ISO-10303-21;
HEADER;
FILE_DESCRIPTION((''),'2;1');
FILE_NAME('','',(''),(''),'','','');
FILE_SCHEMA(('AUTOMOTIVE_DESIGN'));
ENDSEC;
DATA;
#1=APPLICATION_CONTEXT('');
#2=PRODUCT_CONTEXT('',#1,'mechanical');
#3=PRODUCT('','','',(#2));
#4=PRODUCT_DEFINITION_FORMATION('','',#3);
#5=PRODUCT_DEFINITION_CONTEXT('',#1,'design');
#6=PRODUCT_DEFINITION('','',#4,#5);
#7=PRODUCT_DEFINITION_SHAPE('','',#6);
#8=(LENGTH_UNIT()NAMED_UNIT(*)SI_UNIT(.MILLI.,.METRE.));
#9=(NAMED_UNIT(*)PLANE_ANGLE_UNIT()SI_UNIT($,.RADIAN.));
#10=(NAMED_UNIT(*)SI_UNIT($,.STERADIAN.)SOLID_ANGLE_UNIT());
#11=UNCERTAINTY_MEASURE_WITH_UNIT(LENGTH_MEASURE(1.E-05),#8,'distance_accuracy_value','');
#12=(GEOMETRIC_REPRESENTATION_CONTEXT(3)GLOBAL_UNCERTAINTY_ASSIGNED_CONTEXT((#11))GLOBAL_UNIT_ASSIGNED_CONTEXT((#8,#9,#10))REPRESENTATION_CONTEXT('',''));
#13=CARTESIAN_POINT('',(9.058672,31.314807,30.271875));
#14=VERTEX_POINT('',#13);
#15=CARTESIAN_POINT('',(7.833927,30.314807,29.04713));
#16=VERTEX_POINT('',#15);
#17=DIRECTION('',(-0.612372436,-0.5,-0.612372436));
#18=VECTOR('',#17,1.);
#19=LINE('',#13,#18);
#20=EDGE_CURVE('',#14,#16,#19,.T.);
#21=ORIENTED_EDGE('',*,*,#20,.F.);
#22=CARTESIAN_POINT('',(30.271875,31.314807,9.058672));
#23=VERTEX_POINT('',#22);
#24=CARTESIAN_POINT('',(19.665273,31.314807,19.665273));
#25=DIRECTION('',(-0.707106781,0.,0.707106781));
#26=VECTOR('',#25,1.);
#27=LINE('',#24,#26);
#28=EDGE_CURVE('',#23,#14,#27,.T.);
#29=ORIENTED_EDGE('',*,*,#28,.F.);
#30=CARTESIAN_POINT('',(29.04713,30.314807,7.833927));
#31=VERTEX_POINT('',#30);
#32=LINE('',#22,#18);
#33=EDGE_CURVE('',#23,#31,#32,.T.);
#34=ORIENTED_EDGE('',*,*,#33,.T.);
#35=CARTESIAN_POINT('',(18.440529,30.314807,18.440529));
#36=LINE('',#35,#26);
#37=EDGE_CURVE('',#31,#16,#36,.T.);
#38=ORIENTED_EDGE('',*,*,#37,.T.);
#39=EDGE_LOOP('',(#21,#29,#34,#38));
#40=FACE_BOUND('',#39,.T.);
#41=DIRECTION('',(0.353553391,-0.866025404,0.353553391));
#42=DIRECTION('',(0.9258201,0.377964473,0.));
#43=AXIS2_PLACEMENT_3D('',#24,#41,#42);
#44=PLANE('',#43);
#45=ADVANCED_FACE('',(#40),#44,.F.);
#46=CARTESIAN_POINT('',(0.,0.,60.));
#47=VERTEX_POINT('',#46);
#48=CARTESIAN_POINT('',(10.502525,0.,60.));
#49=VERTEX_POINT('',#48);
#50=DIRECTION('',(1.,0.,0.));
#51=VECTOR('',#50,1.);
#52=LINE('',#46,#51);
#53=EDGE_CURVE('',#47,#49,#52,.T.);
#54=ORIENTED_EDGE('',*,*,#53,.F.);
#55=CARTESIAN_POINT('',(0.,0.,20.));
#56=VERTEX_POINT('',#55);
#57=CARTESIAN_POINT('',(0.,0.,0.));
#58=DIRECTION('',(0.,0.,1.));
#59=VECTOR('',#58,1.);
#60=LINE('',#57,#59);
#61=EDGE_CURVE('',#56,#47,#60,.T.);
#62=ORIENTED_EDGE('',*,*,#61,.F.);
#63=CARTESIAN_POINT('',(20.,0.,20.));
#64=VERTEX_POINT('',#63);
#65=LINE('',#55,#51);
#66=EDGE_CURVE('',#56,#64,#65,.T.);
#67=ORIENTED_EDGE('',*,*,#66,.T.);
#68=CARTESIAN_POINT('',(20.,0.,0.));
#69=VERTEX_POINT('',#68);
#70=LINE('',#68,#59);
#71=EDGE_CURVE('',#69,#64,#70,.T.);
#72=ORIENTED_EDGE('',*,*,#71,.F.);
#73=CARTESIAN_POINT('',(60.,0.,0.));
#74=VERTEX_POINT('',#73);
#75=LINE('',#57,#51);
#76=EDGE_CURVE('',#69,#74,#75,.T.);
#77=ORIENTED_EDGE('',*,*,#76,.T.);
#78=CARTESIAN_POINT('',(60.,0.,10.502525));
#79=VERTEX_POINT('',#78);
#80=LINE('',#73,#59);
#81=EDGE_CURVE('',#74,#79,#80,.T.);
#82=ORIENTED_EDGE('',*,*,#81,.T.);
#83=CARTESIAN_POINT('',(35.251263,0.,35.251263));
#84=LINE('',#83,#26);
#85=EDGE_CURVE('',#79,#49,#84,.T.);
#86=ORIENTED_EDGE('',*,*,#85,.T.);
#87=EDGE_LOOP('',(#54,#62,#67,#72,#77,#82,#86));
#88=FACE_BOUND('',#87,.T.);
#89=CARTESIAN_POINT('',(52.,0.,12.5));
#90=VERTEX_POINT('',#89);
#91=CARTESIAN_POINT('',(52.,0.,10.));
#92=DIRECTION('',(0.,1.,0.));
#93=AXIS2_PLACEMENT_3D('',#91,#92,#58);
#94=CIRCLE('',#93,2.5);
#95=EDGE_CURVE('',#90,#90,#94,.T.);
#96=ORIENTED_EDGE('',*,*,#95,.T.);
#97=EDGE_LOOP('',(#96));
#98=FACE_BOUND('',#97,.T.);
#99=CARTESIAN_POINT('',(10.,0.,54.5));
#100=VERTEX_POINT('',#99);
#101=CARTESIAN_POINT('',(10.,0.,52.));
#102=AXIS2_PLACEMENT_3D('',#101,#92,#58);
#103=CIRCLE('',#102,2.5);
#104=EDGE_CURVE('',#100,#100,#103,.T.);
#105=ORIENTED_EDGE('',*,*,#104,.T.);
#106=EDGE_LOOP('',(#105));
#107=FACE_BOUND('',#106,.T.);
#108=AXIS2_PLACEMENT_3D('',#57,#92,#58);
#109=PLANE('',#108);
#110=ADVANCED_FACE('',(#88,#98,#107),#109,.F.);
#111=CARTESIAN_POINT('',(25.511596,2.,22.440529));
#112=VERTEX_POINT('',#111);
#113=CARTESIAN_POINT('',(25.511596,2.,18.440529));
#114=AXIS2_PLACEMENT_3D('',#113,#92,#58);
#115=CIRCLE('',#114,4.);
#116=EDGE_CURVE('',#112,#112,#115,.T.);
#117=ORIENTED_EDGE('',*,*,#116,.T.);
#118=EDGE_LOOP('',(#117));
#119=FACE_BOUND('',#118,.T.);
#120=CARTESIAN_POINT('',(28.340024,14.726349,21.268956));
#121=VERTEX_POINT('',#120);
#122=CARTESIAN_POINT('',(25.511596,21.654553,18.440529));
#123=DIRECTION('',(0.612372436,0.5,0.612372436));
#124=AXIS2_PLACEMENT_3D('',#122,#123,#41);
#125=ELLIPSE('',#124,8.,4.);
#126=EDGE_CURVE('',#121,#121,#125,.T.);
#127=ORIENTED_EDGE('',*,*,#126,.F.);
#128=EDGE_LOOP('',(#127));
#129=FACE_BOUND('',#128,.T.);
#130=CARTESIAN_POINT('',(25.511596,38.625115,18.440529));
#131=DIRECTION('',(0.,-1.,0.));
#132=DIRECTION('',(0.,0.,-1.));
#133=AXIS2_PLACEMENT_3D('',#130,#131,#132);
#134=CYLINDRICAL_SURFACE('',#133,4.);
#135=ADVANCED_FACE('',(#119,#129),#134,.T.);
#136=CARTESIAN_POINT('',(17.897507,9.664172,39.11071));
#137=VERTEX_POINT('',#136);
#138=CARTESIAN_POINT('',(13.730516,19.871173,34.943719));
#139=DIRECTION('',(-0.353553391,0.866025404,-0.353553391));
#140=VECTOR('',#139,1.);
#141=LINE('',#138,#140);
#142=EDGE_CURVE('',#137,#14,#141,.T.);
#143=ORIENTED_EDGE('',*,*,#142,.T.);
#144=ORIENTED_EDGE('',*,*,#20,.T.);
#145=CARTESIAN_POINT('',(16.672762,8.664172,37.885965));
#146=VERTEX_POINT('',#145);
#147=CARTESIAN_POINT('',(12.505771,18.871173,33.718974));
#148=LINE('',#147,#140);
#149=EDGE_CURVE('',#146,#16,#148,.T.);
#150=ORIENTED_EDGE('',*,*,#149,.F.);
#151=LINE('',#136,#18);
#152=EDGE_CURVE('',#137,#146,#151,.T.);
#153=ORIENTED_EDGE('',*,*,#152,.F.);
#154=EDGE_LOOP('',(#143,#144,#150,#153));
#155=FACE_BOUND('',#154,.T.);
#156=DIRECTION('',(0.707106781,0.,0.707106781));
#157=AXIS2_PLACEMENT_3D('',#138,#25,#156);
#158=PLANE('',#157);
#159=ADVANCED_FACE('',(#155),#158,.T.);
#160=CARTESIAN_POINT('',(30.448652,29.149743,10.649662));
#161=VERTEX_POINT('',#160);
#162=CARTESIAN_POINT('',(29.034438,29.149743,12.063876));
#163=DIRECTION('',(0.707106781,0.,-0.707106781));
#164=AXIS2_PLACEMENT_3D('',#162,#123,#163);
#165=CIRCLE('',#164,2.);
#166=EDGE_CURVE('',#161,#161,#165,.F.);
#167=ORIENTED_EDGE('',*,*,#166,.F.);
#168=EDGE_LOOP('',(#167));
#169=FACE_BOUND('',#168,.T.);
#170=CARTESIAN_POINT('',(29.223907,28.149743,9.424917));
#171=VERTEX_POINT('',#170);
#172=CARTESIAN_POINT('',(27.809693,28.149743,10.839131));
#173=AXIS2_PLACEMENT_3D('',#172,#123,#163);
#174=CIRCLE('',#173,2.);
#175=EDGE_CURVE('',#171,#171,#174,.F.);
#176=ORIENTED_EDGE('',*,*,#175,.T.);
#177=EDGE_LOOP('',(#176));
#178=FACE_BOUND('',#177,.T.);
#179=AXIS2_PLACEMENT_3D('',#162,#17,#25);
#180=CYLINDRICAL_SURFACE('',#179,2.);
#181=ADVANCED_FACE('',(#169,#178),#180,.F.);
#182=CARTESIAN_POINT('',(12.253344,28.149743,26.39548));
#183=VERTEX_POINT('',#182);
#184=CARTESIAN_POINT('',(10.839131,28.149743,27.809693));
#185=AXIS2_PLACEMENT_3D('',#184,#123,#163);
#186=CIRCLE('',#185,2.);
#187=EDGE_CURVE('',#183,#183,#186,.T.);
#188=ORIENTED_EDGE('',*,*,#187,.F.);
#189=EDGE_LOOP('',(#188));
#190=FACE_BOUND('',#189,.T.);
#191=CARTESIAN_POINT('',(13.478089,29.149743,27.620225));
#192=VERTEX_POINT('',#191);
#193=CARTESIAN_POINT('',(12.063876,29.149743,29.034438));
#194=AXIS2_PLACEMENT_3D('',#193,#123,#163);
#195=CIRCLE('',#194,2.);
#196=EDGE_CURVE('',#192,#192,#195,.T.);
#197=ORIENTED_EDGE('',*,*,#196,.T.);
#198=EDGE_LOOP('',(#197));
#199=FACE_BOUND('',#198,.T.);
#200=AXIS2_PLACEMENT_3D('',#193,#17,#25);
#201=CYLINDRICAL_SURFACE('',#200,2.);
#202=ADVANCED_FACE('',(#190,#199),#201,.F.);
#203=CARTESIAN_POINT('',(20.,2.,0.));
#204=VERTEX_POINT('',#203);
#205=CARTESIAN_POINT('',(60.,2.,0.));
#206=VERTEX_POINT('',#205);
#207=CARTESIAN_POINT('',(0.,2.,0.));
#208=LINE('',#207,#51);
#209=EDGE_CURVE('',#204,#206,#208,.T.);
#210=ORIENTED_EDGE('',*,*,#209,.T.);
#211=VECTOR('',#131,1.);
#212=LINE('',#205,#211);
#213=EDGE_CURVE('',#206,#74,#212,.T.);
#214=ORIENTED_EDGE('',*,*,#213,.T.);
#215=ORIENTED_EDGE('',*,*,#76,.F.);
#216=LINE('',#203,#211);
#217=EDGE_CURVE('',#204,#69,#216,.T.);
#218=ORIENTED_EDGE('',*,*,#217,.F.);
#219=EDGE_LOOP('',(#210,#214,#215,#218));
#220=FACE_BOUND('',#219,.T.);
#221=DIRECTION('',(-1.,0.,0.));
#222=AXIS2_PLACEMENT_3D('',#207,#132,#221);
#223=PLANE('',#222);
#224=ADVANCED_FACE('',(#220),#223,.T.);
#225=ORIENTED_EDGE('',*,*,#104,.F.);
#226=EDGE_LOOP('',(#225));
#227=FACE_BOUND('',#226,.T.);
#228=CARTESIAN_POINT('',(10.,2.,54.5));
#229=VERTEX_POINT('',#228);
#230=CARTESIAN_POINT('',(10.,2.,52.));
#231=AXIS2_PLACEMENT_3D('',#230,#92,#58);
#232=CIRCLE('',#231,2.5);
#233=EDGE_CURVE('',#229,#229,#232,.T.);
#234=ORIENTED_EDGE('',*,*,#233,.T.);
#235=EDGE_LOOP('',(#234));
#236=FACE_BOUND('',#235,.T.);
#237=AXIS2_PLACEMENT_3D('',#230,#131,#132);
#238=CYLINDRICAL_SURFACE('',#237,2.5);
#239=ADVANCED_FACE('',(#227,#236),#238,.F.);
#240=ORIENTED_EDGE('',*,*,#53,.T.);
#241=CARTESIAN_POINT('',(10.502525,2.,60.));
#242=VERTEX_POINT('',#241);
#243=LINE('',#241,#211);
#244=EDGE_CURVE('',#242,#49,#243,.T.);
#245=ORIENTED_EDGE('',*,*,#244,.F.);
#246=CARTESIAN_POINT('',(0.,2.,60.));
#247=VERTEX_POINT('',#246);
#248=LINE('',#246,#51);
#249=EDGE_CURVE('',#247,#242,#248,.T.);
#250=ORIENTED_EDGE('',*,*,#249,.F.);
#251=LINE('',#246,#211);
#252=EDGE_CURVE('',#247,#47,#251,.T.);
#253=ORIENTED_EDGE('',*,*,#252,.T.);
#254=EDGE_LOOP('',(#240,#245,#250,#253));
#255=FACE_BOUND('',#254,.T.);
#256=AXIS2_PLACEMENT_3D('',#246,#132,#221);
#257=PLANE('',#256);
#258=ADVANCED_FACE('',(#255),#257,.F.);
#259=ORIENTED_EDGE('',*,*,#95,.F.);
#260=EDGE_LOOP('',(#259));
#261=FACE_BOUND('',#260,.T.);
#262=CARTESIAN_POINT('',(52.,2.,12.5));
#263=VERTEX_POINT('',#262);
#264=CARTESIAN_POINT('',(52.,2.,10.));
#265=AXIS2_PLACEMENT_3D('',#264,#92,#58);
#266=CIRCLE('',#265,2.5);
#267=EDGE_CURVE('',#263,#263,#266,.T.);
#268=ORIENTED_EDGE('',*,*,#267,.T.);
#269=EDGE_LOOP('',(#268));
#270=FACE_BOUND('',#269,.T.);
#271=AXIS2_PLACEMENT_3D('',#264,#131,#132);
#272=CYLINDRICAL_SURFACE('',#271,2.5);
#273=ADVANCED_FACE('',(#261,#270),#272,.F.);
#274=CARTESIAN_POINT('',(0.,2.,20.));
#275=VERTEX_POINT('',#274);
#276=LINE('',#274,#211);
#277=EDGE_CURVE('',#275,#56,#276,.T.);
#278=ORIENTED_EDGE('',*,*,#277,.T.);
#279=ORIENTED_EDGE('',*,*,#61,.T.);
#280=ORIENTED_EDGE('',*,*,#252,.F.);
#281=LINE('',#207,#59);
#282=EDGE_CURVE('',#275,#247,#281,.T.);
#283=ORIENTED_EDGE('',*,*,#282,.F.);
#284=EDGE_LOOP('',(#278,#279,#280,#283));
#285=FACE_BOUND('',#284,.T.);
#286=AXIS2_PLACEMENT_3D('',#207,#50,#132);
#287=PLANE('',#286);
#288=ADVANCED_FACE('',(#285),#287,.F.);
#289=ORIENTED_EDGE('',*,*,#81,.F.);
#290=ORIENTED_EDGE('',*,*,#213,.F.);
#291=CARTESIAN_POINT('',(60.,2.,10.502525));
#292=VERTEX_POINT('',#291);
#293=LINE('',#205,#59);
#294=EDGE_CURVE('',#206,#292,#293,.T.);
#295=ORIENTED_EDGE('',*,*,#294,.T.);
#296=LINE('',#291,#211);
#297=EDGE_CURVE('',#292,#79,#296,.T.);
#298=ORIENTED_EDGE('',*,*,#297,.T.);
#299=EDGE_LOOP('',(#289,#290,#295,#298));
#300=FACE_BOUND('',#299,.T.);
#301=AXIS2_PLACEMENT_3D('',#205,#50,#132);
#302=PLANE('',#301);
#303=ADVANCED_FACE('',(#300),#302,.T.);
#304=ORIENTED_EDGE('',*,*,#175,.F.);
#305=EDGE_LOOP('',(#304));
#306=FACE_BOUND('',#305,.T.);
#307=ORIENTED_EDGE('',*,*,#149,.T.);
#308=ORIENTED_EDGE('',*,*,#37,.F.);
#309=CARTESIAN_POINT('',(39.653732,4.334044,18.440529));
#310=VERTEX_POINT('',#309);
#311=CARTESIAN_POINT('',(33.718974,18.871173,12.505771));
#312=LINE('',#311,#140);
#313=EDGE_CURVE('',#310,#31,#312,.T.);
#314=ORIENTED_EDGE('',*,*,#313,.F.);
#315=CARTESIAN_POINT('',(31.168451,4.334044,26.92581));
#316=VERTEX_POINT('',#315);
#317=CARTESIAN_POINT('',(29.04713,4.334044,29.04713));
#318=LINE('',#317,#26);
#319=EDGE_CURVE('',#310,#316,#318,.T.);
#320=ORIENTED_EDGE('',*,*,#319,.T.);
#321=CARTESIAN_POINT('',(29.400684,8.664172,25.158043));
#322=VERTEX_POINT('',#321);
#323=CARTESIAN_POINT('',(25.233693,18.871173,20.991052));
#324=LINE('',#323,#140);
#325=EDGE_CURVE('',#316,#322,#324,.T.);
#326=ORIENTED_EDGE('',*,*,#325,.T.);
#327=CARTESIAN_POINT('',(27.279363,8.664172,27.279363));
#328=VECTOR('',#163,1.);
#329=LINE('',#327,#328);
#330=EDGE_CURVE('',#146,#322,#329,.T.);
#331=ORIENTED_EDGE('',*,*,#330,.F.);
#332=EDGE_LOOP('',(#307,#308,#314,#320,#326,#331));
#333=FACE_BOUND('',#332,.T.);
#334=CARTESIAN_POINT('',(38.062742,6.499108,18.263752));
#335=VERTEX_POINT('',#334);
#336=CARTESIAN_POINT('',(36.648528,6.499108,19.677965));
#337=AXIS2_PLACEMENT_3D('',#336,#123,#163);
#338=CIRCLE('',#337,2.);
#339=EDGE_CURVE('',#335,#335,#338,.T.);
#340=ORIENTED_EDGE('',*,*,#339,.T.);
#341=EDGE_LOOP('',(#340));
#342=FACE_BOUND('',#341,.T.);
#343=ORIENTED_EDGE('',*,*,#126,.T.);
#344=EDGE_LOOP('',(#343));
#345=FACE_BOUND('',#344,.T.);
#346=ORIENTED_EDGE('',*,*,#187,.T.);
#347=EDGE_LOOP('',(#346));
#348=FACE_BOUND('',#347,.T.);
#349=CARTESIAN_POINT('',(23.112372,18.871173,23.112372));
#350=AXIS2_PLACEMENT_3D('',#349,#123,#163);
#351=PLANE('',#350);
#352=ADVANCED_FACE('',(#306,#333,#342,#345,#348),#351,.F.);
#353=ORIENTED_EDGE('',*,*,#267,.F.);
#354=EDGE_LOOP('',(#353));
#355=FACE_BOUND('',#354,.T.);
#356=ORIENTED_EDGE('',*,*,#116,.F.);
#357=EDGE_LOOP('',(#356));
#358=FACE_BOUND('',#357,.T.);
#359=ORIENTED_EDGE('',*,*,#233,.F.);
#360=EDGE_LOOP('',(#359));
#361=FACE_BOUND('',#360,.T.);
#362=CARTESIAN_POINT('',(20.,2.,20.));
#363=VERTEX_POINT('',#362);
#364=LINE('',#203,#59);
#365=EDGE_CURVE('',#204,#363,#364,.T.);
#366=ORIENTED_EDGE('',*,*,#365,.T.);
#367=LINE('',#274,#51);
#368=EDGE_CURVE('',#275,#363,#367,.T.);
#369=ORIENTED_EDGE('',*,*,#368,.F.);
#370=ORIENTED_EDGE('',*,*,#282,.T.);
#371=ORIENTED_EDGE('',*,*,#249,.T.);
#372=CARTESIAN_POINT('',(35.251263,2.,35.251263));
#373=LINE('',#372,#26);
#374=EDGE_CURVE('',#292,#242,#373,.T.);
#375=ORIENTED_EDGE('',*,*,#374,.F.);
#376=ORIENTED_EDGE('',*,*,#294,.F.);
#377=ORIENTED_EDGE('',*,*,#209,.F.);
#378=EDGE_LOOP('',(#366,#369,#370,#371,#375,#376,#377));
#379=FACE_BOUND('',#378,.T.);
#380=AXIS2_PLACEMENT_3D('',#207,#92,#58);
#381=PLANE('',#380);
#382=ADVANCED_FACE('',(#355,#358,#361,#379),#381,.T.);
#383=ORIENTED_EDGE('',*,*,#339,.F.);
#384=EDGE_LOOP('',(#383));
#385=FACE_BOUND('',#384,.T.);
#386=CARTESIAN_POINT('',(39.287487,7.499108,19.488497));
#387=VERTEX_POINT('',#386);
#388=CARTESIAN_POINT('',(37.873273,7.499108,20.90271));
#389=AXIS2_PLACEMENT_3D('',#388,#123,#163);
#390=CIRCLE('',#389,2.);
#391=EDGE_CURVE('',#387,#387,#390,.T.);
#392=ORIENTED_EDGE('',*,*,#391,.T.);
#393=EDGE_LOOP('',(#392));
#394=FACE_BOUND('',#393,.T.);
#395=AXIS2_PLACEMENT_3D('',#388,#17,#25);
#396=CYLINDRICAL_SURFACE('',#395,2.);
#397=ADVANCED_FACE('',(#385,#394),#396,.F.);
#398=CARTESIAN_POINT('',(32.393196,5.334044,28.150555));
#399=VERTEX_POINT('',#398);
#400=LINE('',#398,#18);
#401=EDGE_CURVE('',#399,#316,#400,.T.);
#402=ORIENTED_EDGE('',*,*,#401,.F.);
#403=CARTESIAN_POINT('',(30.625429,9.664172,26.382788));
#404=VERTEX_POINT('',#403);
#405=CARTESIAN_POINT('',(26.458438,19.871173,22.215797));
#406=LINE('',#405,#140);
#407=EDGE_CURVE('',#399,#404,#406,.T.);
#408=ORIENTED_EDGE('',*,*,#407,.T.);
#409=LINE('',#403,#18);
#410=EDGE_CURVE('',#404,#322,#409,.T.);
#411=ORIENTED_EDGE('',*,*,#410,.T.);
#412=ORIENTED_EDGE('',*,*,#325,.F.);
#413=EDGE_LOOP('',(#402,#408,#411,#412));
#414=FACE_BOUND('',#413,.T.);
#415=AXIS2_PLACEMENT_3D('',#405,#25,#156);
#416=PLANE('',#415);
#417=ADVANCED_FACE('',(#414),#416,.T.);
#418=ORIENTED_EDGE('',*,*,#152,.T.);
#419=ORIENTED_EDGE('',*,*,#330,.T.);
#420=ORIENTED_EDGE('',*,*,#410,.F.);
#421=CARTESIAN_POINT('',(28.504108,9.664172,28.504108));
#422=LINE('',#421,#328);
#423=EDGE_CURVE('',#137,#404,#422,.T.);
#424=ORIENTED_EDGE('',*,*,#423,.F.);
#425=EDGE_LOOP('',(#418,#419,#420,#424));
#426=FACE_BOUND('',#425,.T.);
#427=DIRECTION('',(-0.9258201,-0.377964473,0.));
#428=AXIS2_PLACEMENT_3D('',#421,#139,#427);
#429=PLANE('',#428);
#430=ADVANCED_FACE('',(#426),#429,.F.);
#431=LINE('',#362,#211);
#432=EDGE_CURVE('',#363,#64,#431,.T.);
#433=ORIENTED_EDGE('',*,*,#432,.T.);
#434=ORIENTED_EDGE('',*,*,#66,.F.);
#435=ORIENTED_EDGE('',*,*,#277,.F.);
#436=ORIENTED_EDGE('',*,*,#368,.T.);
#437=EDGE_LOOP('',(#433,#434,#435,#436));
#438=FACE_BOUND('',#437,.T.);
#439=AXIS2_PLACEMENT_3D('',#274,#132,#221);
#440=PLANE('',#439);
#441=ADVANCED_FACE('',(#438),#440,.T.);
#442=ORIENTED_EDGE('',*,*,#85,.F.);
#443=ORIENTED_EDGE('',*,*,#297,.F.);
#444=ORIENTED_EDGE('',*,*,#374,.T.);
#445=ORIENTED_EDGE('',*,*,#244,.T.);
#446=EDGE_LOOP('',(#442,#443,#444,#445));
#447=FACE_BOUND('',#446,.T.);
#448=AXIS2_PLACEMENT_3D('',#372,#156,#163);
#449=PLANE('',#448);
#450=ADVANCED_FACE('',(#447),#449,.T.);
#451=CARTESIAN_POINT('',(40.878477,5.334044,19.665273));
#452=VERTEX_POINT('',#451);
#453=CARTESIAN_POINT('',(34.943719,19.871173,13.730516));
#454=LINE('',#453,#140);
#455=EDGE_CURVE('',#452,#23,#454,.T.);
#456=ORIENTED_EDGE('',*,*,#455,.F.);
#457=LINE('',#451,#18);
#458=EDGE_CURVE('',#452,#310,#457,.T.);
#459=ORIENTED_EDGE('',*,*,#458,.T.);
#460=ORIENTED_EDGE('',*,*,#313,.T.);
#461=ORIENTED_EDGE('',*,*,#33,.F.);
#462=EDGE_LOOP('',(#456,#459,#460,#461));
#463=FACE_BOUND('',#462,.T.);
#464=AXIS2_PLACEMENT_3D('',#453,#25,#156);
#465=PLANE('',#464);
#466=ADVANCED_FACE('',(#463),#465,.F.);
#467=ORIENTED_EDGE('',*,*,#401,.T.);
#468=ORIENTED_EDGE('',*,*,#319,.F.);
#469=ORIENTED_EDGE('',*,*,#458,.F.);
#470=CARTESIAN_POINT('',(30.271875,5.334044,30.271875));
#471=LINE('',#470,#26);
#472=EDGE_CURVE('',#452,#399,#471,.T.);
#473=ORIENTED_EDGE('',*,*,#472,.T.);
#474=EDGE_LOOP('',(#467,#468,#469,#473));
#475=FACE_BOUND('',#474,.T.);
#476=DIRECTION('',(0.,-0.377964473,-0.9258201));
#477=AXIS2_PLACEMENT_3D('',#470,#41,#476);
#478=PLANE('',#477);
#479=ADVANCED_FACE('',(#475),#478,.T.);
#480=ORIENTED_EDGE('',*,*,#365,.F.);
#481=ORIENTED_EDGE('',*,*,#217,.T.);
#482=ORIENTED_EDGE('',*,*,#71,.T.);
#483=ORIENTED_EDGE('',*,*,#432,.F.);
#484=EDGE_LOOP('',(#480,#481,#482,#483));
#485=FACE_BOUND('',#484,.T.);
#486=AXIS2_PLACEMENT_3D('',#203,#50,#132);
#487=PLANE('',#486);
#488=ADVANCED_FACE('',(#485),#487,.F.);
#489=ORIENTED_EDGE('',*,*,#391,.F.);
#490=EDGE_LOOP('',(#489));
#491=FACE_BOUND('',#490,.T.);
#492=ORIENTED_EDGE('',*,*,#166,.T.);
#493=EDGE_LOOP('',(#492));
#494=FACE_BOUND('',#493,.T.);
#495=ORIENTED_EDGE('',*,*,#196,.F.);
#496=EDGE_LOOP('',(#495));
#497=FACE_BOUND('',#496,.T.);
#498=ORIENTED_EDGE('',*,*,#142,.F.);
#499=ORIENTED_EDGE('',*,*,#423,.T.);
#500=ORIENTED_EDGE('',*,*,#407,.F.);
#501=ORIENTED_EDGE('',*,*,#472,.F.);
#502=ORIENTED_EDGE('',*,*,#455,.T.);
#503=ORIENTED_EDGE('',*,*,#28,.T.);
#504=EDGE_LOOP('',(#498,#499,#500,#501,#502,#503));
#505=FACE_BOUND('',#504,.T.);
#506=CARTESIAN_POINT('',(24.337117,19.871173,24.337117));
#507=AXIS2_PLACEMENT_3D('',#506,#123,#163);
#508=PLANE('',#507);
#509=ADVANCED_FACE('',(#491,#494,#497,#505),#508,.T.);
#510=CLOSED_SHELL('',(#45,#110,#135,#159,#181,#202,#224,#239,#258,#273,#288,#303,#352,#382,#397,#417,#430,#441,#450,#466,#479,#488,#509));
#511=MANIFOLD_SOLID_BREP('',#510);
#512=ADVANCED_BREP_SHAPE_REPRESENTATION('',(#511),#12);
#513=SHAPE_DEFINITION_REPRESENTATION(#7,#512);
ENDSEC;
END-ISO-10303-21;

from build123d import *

# Parameters (mm, degrees)
SKETCH_1_R      = 2.5
EXTRUDE_1_DEPTH = 2
SKETCH_2_R      = 2
EXTRUDE_3_DEPTH = 2
EXTRUDE_4_REACH = 91.774
SKETCH_4_R      = 4


with BuildPart() as part:
    # 草图1 → 凸台-拉伸1 (new body)
    with BuildSketch(Plane(origin=(0, 0, 0), x_dir=(1, 0, 0), z_dir=(0, 1, 0))):
        Polygon((10.502525317, -60), (60, -10.502525317), (60, 0), (20, 0), (20, -20), (0, -20), (0, -60), align=None)
        with Locations(Location((10, -52, 0), (0, 0, 270))):
            Circle(SKETCH_1_R, mode=Mode.SUBTRACT)
        with Locations(Location((52, -10, 0), (0, 0, 270))):
            Circle(SKETCH_1_R, mode=Mode.SUBTRACT)
    extrude(amount=EXTRUDE_1_DEPTH)



with BuildPart() as body_2:
    # 草图2 → 凸台-拉伸3 (new body)
    with BuildSketch(Plane(origin=(23.112372436, 18.871173071, 23.112372436), x_dir=(-0.7071067811865475, 0, 0.7071067811865477), z_dir=(0.6123724356957955, 0.4999999999999981, 0.6123724356957954))):
        Polygon((-3, 16.786030205), (-15, 16.786030205), (-15, -13.213969795), (15, -13.213969795), (15, 11.786030205), (-3, 11.786030205), align=None)
        with Locations(Location((-12, -10.713969795, 0), (0, 0, 180))):
            Circle(SKETCH_2_R, mode=Mode.SUBTRACT)
        with Locations(Location((12, -10.713969795, 0), (0, 0, 180))):
            Circle(SKETCH_2_R, mode=Mode.SUBTRACT)
        with Locations(Location((-12, 14.286030205, 0), (0, 0, 180))):
            Circle(SKETCH_2_R, mode=Mode.SUBTRACT)
    extrude(amount=EXTRUDE_3_DEPTH)


with BuildPart() as part_1:
    add(part.part)

    add(body_2.part)  # 凸台-拉伸4 merges body 2
    # 凸台-拉伸4: up to this plane
    extrude_4_end = Plane(origin=(23.112372436, 18.871173071, 23.112372436), z_dir=(0.6123724356957954, 0.4999999999999981, 0.6123724356957952))
    # 草图4 → 凸台-拉伸4 (add, up to the surface)
    with BuildSketch(Plane(origin=(0, 2, 0), x_dir=(1, 0, 0), z_dir=(0, 1, 0)), mode=Mode.PRIVATE) as extrude_4_sk1:
        with Locations(Location((25.511596423, -18.440528611, 0), (0, 0, 315))):
            Circle(SKETCH_4_R)
    extrude_4_tool1 = split(extrude(extrude_4_sk1.sketch, amount=EXTRUDE_4_REACH, mode=Mode.PRIVATE), bisect_by=extrude_4_end, keep=Keep.BOTH, mode=Mode.PRIVATE)
    add(extrude_4_tool1.solids().sort_by_distance((25.511596, 2, 18.440529))[0])


solid = part_1.part
